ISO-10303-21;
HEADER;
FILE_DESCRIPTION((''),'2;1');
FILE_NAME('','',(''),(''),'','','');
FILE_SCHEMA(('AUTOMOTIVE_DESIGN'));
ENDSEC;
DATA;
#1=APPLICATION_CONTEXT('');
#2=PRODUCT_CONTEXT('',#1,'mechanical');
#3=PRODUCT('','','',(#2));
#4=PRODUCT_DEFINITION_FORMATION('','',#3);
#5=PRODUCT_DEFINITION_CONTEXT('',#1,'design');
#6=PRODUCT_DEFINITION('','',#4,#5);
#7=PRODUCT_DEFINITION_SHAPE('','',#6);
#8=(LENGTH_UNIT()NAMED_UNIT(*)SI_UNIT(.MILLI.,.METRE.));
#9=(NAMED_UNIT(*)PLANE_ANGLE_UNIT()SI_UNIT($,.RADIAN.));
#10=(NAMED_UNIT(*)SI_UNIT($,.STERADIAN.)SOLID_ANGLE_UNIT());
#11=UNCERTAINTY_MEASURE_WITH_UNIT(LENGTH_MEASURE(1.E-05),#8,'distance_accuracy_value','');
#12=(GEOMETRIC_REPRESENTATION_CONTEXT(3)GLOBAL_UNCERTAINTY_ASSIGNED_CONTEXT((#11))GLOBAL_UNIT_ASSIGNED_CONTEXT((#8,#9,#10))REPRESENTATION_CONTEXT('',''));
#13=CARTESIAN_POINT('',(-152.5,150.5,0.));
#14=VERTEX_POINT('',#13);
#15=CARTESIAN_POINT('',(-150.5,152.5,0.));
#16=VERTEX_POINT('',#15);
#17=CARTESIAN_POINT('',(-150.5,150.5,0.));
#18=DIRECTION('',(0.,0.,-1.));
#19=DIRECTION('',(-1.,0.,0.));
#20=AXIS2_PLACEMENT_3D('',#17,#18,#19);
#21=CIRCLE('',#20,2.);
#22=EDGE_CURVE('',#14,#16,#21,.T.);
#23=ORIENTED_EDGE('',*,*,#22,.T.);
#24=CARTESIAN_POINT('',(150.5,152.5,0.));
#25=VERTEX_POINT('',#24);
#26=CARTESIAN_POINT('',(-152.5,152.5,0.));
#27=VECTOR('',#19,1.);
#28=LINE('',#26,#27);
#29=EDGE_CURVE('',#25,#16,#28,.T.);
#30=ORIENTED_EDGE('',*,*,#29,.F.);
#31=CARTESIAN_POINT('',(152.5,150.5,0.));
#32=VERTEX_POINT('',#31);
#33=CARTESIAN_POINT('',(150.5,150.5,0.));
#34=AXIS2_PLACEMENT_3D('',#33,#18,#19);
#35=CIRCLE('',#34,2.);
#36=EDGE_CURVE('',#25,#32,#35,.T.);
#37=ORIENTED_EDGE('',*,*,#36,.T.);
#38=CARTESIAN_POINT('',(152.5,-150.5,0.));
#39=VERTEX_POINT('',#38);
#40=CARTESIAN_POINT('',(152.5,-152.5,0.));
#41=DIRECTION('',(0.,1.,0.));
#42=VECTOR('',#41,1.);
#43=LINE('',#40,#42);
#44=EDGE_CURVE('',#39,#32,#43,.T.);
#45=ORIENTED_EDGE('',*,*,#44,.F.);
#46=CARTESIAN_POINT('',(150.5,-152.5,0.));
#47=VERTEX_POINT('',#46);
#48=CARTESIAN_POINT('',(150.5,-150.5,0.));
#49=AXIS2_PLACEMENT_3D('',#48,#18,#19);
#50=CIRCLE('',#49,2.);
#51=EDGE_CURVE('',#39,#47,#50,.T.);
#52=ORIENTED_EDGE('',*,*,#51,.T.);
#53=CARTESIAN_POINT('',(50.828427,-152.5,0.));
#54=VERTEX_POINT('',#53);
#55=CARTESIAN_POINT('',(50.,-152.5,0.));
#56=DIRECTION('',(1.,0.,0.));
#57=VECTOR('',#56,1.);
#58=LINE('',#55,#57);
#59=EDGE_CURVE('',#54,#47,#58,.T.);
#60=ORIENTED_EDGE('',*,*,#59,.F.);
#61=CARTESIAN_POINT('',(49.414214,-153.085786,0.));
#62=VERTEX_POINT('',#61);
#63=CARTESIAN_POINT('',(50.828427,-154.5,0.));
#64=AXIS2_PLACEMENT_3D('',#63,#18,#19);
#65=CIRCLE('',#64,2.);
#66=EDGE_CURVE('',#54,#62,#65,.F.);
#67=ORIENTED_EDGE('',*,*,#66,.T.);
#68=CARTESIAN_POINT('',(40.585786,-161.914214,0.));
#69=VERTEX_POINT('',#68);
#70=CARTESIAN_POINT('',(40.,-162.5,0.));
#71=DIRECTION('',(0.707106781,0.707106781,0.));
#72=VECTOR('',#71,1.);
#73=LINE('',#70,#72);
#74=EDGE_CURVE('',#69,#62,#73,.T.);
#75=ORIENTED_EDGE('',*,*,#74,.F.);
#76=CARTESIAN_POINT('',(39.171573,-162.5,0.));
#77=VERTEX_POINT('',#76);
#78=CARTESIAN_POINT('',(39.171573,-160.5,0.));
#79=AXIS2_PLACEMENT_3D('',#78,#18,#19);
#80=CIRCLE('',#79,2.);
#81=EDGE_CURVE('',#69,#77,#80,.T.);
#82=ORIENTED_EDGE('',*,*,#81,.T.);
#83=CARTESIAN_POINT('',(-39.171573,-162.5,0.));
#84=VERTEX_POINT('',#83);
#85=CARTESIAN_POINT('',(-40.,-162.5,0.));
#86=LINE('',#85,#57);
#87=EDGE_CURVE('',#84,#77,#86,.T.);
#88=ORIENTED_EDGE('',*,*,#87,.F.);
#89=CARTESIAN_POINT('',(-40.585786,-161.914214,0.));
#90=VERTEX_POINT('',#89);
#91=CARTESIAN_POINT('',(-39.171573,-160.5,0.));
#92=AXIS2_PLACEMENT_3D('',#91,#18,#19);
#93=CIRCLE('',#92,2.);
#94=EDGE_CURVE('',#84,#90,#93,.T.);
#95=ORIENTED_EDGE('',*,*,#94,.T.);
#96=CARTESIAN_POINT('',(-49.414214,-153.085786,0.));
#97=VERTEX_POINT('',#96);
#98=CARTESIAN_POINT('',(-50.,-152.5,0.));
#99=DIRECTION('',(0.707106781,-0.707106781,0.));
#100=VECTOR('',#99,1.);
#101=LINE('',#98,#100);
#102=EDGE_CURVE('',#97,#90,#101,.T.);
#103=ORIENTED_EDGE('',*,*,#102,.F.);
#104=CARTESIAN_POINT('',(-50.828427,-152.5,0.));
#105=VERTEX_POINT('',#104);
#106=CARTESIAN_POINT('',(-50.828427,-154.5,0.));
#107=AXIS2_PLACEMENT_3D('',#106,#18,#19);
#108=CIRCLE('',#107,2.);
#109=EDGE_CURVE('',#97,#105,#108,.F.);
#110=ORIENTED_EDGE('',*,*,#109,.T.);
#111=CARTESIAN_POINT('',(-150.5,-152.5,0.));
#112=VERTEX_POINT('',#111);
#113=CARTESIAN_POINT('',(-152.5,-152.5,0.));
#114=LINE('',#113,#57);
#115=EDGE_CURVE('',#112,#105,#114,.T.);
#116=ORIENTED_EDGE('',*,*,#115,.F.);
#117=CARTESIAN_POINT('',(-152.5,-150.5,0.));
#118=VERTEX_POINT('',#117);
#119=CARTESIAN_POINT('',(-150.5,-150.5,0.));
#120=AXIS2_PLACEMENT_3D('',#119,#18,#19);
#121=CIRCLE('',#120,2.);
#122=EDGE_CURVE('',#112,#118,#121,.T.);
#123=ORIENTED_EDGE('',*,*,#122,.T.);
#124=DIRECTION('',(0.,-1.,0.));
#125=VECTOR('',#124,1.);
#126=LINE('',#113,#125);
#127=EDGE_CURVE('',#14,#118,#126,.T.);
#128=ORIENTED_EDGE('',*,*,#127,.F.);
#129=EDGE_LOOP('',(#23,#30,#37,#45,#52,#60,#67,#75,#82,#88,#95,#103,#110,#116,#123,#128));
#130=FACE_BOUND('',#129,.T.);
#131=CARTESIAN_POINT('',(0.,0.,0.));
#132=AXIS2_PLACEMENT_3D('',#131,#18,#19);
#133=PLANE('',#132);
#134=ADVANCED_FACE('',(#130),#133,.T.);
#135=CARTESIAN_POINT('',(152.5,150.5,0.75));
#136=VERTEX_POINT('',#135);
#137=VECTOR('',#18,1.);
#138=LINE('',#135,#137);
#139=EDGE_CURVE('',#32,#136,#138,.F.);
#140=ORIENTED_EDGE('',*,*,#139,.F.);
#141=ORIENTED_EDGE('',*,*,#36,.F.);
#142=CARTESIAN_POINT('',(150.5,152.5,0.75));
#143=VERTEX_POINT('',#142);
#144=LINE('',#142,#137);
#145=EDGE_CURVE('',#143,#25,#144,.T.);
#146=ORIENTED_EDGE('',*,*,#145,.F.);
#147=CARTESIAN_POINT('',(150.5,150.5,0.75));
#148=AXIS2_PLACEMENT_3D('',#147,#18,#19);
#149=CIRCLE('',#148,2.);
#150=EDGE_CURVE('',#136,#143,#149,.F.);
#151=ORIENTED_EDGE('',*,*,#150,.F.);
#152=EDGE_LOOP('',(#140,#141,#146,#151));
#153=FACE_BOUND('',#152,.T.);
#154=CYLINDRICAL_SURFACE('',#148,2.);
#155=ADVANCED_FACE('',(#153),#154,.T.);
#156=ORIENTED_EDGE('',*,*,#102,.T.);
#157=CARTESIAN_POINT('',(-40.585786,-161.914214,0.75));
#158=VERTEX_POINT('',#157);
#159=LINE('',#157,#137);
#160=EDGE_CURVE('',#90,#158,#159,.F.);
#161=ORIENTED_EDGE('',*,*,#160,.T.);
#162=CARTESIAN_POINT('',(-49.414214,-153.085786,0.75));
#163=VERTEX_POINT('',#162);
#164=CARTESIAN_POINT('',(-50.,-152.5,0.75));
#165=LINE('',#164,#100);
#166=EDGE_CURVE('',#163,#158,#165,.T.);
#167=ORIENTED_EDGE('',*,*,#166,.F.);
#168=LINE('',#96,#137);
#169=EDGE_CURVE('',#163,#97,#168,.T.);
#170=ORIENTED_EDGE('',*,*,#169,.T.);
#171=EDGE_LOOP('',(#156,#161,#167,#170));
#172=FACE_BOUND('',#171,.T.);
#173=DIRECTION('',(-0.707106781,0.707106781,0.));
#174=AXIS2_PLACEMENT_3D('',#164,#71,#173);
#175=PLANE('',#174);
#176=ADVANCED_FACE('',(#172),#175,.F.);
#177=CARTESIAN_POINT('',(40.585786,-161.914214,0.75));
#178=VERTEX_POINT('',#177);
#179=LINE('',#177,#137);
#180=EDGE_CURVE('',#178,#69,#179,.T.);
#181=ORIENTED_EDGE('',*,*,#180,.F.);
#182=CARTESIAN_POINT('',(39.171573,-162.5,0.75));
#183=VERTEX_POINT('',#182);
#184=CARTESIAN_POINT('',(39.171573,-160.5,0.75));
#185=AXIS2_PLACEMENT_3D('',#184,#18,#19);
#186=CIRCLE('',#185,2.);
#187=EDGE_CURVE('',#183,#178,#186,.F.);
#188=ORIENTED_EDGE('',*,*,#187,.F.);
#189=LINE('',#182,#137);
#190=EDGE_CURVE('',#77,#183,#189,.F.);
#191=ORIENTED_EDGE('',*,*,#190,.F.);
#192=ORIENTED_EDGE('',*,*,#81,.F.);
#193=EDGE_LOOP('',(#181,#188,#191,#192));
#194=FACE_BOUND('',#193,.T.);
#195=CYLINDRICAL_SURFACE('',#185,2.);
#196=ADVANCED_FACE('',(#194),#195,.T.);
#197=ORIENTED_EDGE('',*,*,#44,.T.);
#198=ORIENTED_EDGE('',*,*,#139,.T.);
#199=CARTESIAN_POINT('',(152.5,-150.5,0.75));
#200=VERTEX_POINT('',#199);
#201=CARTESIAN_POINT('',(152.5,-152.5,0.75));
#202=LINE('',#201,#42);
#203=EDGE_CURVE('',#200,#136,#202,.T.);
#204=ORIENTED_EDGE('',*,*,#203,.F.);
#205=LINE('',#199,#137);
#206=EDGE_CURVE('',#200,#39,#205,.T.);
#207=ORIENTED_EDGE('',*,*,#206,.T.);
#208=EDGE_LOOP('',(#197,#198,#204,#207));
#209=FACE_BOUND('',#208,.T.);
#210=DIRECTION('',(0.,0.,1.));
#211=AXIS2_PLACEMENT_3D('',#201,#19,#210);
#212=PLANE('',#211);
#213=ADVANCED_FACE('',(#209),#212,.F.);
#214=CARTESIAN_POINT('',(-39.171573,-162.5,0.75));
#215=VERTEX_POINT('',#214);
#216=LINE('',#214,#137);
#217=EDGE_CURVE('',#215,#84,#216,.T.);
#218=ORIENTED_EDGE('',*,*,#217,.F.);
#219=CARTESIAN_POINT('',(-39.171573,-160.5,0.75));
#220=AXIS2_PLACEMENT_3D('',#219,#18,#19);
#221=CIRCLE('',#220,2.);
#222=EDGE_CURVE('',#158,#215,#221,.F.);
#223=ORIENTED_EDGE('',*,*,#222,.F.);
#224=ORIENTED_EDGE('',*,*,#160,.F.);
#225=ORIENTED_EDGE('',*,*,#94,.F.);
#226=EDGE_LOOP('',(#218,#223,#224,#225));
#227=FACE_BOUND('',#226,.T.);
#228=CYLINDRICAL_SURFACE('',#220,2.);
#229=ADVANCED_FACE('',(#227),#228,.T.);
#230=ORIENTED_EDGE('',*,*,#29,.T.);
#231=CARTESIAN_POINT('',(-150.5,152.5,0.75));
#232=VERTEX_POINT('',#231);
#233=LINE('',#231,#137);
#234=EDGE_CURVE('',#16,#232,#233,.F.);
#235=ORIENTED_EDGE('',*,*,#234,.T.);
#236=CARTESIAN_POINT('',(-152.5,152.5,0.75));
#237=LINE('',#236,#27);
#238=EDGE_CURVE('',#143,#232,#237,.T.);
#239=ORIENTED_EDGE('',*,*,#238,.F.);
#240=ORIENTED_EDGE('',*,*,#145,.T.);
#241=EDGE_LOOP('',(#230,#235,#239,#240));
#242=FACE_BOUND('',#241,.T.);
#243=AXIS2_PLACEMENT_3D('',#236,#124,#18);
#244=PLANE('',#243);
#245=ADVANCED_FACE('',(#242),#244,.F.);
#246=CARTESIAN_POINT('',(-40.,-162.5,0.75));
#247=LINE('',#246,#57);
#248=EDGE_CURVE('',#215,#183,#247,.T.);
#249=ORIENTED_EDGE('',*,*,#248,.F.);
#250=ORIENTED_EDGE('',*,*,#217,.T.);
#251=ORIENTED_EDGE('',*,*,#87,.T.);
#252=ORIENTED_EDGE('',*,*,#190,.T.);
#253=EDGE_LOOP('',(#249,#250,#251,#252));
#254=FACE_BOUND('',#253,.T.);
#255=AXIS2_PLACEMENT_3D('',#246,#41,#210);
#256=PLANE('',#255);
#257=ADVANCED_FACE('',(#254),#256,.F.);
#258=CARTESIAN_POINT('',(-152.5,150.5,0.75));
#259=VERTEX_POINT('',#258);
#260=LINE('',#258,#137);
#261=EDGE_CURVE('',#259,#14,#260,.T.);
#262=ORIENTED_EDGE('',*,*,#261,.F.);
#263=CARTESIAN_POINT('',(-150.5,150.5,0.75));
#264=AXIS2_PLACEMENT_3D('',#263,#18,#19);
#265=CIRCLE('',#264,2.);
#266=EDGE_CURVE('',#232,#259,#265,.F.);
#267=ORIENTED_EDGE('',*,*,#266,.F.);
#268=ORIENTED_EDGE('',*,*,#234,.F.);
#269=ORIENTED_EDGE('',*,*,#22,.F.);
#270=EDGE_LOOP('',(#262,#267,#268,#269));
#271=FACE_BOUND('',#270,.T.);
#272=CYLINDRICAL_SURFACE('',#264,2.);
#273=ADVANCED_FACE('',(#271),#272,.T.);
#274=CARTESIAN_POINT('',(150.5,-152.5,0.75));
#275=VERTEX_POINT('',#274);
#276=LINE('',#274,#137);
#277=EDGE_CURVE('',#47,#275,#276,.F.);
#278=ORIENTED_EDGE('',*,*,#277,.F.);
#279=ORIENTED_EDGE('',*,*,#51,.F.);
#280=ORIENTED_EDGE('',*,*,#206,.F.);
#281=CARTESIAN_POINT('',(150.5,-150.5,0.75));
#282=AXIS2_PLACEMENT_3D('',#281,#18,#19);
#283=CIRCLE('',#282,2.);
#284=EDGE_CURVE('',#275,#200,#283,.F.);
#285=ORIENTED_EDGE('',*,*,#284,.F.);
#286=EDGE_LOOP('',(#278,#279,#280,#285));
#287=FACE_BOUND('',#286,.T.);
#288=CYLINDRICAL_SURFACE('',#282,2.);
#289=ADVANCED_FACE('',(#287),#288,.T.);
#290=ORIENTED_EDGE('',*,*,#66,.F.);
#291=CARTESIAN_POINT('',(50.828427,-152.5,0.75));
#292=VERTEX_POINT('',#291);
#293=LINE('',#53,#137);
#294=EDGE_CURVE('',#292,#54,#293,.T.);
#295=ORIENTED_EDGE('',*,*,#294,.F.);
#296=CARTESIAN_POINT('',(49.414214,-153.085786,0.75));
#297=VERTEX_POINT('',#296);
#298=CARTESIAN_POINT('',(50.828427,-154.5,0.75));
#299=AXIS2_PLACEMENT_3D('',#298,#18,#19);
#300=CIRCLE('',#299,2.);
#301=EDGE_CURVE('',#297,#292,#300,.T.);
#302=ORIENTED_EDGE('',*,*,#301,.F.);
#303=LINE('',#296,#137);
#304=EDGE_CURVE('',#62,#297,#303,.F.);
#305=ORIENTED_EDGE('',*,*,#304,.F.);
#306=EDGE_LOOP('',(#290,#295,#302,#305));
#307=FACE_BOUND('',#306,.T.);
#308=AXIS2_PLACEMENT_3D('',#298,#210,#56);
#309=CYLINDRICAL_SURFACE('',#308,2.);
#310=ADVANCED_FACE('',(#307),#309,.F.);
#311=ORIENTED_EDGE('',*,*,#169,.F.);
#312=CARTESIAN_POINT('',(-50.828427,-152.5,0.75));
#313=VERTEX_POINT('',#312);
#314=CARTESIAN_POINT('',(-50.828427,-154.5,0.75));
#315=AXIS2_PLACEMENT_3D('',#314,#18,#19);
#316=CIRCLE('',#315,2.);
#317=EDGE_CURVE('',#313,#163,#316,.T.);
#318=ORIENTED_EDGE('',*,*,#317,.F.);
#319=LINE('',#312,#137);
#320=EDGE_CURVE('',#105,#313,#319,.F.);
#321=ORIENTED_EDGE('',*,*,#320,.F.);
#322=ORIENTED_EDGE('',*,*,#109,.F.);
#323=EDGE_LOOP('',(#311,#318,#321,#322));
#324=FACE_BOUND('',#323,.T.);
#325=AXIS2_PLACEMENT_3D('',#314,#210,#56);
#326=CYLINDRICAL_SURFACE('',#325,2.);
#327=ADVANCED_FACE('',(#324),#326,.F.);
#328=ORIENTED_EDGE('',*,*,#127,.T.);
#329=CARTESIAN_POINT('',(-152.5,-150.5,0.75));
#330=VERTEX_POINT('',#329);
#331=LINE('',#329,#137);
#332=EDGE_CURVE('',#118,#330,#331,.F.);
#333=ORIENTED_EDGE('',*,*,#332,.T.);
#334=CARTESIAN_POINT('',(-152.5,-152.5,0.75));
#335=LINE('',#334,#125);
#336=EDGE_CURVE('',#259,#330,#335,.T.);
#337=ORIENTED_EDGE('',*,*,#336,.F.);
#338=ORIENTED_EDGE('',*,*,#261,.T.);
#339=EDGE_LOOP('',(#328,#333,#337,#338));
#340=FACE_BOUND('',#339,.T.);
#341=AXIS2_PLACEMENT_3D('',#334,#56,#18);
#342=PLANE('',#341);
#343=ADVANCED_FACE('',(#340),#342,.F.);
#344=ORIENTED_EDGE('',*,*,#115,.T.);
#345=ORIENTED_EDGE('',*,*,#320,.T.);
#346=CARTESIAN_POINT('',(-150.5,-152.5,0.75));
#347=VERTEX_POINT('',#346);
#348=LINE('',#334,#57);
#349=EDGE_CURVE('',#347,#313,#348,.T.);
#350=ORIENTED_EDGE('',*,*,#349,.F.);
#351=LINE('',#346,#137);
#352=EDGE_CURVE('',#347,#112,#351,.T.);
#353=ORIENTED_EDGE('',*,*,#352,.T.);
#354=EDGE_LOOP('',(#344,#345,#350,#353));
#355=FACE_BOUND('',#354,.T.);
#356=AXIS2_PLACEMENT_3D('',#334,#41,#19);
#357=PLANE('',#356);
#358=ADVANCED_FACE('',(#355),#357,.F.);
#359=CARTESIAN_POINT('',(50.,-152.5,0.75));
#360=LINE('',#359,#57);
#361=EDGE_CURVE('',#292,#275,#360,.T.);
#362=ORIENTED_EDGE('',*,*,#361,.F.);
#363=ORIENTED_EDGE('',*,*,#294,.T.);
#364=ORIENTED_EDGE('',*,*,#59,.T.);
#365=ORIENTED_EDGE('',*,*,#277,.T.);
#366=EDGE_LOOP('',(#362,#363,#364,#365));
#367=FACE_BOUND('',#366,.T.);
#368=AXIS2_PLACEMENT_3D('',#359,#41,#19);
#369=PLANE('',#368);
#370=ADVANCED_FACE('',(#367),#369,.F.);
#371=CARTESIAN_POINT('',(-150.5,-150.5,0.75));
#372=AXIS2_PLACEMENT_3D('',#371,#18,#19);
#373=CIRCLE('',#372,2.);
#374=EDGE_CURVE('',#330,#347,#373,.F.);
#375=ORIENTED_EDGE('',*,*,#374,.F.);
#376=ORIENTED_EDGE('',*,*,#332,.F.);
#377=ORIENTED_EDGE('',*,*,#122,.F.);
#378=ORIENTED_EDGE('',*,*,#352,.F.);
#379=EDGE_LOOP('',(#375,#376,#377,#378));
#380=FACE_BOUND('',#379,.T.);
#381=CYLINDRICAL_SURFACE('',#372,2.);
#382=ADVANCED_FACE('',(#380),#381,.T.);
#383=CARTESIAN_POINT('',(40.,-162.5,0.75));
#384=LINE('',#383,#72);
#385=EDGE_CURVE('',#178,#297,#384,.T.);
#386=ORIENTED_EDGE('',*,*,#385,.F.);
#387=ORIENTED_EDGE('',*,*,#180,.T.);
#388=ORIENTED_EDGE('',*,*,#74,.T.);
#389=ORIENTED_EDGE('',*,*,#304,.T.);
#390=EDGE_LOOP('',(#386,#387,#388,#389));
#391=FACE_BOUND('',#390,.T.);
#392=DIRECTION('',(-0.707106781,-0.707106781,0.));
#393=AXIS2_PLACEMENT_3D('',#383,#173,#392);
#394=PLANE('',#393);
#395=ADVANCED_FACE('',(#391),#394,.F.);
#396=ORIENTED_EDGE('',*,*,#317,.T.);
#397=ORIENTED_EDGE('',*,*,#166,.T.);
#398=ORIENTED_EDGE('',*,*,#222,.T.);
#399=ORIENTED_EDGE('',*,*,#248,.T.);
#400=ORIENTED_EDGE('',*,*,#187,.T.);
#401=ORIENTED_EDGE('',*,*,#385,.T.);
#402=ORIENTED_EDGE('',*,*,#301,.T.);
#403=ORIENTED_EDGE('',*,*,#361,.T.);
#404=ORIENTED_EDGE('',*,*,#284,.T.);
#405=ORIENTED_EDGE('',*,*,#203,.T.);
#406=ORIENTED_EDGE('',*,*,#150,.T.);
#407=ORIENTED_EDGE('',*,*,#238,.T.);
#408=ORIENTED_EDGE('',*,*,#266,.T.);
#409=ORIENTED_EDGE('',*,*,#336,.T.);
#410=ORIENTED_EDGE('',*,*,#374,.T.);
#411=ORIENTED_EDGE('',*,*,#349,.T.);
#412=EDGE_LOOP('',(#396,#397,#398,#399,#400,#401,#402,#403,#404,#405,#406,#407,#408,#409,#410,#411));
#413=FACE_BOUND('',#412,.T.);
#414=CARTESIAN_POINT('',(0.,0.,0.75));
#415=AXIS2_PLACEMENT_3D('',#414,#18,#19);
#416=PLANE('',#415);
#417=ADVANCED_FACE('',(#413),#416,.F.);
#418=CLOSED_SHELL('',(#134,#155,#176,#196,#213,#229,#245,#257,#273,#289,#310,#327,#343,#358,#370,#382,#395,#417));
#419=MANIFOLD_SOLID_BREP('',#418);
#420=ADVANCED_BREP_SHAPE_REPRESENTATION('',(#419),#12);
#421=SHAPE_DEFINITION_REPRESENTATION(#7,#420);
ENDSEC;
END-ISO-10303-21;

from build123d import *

# Parameters (mm, degrees)
BOSS_EXTRUDE1_DEPTH = 0.75
FILLET1_R           = 2


with BuildPart() as part:
    # Sketch1 → Boss-Extrude1 (new body)
    with BuildSketch(Plane.XY):
        Polygon((-152.5, -152.5), (-50, -152.5), (-40, -162.5), (40, -162.5), (50, -152.5), (152.5, -152.5), (152.5, 152.5), (-152.5, 152.5), align=None)
    extrude(amount=BOSS_EXTRUDE1_DEPTH)

    # Fillet1
    fillet1_edges = [part.edges().sort_by_distance(p)[0] for p in [
        (152.5, -152.5, 0.375),
        (50, -152.5, 0.375),
        (40, -162.5, 0.375),
        (-40, -162.5, 0.375),
        (-50, -152.5, 0.375),
        (-152.5, -152.5, 0.375),
        (-152.5, 152.5, 0.375),
        (152.5, 152.5, 0.375),
    ]]
    fillet(fillet1_edges, radius=FILLET1_R)


solid = part.part
